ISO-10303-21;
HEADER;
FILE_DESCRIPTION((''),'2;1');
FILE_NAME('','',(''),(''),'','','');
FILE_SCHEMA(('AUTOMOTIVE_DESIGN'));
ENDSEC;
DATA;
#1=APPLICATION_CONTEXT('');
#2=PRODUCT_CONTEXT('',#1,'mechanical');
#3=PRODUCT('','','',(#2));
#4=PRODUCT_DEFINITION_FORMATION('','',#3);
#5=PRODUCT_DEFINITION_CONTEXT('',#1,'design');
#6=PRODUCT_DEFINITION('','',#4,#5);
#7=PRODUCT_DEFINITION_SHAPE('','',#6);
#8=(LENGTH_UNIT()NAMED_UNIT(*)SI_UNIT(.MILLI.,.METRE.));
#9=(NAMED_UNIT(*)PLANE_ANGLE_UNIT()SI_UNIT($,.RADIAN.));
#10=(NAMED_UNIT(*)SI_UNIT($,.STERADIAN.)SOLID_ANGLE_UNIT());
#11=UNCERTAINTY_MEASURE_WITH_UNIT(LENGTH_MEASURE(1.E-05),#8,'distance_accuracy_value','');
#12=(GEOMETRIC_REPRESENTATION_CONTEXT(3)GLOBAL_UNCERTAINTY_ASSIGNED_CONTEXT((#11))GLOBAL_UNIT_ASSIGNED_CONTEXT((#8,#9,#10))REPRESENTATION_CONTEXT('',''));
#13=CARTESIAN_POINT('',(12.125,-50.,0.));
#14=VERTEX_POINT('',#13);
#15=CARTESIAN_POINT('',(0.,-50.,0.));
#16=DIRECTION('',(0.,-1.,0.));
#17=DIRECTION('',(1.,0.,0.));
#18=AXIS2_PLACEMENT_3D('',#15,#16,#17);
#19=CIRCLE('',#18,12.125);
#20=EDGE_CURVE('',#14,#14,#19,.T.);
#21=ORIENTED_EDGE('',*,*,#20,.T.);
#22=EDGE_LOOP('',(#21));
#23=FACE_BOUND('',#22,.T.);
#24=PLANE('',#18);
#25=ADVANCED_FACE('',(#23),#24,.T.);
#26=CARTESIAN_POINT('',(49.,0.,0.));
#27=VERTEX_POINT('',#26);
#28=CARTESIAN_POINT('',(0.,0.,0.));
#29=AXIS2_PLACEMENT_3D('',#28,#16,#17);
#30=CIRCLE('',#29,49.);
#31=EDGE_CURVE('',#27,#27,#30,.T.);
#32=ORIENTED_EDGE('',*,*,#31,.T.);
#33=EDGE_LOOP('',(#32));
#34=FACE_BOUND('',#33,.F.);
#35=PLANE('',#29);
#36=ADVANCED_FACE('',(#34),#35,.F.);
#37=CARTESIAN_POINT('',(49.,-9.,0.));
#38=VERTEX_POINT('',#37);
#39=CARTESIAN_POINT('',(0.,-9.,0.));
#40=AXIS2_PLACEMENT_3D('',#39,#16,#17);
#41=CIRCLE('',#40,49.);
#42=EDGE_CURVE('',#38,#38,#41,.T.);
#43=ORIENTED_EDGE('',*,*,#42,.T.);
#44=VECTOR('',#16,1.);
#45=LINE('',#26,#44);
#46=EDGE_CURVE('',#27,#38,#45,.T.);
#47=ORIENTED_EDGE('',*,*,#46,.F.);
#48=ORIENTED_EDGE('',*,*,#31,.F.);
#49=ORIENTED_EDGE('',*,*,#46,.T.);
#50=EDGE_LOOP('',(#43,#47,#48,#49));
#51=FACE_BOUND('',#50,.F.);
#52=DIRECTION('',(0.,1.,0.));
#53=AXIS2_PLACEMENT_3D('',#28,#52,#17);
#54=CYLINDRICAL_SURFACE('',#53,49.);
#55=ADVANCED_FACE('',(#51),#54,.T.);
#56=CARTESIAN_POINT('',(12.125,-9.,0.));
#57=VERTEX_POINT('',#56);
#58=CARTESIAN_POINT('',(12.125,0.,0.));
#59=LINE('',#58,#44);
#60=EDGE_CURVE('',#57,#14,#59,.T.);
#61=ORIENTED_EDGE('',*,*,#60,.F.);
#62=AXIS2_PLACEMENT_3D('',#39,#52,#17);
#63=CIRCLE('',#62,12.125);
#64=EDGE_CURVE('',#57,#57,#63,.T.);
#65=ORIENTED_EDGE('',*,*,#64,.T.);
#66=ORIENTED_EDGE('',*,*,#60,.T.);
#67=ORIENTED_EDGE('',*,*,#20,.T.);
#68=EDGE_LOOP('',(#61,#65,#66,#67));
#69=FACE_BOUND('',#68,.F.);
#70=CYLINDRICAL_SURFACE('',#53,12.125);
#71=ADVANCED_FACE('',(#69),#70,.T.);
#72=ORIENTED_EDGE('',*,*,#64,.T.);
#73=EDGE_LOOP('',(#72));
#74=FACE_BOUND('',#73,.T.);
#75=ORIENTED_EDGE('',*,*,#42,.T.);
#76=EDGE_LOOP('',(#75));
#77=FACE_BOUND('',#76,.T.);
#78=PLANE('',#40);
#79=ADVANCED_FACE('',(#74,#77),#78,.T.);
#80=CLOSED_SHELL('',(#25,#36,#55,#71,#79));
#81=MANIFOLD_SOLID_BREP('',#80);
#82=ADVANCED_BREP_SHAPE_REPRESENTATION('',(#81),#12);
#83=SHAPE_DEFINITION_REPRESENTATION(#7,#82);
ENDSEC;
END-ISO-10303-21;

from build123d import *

# Parameters (mm, degrees)
F0_R     = 49
F0_R_2   = 12.125
F1_DEPTH = 9
F2_DEPTH = 50


with BuildPart() as f1:
    # F0 (on Front) → F1 (new body)
    with BuildSketch(Plane.XZ):
        Circle(F0_R)
        Circle(F0_R_2, mode=Mode.SUBTRACT)
        Circle(F0_R_2)
    extrude(amount=F1_DEPTH)

    # F0 (on Front) → F2 (join)
    with BuildSketch(Plane.XZ):
        Circle(F0_R_2)
    extrude(amount=F2_DEPTH)


solid = f1.part
